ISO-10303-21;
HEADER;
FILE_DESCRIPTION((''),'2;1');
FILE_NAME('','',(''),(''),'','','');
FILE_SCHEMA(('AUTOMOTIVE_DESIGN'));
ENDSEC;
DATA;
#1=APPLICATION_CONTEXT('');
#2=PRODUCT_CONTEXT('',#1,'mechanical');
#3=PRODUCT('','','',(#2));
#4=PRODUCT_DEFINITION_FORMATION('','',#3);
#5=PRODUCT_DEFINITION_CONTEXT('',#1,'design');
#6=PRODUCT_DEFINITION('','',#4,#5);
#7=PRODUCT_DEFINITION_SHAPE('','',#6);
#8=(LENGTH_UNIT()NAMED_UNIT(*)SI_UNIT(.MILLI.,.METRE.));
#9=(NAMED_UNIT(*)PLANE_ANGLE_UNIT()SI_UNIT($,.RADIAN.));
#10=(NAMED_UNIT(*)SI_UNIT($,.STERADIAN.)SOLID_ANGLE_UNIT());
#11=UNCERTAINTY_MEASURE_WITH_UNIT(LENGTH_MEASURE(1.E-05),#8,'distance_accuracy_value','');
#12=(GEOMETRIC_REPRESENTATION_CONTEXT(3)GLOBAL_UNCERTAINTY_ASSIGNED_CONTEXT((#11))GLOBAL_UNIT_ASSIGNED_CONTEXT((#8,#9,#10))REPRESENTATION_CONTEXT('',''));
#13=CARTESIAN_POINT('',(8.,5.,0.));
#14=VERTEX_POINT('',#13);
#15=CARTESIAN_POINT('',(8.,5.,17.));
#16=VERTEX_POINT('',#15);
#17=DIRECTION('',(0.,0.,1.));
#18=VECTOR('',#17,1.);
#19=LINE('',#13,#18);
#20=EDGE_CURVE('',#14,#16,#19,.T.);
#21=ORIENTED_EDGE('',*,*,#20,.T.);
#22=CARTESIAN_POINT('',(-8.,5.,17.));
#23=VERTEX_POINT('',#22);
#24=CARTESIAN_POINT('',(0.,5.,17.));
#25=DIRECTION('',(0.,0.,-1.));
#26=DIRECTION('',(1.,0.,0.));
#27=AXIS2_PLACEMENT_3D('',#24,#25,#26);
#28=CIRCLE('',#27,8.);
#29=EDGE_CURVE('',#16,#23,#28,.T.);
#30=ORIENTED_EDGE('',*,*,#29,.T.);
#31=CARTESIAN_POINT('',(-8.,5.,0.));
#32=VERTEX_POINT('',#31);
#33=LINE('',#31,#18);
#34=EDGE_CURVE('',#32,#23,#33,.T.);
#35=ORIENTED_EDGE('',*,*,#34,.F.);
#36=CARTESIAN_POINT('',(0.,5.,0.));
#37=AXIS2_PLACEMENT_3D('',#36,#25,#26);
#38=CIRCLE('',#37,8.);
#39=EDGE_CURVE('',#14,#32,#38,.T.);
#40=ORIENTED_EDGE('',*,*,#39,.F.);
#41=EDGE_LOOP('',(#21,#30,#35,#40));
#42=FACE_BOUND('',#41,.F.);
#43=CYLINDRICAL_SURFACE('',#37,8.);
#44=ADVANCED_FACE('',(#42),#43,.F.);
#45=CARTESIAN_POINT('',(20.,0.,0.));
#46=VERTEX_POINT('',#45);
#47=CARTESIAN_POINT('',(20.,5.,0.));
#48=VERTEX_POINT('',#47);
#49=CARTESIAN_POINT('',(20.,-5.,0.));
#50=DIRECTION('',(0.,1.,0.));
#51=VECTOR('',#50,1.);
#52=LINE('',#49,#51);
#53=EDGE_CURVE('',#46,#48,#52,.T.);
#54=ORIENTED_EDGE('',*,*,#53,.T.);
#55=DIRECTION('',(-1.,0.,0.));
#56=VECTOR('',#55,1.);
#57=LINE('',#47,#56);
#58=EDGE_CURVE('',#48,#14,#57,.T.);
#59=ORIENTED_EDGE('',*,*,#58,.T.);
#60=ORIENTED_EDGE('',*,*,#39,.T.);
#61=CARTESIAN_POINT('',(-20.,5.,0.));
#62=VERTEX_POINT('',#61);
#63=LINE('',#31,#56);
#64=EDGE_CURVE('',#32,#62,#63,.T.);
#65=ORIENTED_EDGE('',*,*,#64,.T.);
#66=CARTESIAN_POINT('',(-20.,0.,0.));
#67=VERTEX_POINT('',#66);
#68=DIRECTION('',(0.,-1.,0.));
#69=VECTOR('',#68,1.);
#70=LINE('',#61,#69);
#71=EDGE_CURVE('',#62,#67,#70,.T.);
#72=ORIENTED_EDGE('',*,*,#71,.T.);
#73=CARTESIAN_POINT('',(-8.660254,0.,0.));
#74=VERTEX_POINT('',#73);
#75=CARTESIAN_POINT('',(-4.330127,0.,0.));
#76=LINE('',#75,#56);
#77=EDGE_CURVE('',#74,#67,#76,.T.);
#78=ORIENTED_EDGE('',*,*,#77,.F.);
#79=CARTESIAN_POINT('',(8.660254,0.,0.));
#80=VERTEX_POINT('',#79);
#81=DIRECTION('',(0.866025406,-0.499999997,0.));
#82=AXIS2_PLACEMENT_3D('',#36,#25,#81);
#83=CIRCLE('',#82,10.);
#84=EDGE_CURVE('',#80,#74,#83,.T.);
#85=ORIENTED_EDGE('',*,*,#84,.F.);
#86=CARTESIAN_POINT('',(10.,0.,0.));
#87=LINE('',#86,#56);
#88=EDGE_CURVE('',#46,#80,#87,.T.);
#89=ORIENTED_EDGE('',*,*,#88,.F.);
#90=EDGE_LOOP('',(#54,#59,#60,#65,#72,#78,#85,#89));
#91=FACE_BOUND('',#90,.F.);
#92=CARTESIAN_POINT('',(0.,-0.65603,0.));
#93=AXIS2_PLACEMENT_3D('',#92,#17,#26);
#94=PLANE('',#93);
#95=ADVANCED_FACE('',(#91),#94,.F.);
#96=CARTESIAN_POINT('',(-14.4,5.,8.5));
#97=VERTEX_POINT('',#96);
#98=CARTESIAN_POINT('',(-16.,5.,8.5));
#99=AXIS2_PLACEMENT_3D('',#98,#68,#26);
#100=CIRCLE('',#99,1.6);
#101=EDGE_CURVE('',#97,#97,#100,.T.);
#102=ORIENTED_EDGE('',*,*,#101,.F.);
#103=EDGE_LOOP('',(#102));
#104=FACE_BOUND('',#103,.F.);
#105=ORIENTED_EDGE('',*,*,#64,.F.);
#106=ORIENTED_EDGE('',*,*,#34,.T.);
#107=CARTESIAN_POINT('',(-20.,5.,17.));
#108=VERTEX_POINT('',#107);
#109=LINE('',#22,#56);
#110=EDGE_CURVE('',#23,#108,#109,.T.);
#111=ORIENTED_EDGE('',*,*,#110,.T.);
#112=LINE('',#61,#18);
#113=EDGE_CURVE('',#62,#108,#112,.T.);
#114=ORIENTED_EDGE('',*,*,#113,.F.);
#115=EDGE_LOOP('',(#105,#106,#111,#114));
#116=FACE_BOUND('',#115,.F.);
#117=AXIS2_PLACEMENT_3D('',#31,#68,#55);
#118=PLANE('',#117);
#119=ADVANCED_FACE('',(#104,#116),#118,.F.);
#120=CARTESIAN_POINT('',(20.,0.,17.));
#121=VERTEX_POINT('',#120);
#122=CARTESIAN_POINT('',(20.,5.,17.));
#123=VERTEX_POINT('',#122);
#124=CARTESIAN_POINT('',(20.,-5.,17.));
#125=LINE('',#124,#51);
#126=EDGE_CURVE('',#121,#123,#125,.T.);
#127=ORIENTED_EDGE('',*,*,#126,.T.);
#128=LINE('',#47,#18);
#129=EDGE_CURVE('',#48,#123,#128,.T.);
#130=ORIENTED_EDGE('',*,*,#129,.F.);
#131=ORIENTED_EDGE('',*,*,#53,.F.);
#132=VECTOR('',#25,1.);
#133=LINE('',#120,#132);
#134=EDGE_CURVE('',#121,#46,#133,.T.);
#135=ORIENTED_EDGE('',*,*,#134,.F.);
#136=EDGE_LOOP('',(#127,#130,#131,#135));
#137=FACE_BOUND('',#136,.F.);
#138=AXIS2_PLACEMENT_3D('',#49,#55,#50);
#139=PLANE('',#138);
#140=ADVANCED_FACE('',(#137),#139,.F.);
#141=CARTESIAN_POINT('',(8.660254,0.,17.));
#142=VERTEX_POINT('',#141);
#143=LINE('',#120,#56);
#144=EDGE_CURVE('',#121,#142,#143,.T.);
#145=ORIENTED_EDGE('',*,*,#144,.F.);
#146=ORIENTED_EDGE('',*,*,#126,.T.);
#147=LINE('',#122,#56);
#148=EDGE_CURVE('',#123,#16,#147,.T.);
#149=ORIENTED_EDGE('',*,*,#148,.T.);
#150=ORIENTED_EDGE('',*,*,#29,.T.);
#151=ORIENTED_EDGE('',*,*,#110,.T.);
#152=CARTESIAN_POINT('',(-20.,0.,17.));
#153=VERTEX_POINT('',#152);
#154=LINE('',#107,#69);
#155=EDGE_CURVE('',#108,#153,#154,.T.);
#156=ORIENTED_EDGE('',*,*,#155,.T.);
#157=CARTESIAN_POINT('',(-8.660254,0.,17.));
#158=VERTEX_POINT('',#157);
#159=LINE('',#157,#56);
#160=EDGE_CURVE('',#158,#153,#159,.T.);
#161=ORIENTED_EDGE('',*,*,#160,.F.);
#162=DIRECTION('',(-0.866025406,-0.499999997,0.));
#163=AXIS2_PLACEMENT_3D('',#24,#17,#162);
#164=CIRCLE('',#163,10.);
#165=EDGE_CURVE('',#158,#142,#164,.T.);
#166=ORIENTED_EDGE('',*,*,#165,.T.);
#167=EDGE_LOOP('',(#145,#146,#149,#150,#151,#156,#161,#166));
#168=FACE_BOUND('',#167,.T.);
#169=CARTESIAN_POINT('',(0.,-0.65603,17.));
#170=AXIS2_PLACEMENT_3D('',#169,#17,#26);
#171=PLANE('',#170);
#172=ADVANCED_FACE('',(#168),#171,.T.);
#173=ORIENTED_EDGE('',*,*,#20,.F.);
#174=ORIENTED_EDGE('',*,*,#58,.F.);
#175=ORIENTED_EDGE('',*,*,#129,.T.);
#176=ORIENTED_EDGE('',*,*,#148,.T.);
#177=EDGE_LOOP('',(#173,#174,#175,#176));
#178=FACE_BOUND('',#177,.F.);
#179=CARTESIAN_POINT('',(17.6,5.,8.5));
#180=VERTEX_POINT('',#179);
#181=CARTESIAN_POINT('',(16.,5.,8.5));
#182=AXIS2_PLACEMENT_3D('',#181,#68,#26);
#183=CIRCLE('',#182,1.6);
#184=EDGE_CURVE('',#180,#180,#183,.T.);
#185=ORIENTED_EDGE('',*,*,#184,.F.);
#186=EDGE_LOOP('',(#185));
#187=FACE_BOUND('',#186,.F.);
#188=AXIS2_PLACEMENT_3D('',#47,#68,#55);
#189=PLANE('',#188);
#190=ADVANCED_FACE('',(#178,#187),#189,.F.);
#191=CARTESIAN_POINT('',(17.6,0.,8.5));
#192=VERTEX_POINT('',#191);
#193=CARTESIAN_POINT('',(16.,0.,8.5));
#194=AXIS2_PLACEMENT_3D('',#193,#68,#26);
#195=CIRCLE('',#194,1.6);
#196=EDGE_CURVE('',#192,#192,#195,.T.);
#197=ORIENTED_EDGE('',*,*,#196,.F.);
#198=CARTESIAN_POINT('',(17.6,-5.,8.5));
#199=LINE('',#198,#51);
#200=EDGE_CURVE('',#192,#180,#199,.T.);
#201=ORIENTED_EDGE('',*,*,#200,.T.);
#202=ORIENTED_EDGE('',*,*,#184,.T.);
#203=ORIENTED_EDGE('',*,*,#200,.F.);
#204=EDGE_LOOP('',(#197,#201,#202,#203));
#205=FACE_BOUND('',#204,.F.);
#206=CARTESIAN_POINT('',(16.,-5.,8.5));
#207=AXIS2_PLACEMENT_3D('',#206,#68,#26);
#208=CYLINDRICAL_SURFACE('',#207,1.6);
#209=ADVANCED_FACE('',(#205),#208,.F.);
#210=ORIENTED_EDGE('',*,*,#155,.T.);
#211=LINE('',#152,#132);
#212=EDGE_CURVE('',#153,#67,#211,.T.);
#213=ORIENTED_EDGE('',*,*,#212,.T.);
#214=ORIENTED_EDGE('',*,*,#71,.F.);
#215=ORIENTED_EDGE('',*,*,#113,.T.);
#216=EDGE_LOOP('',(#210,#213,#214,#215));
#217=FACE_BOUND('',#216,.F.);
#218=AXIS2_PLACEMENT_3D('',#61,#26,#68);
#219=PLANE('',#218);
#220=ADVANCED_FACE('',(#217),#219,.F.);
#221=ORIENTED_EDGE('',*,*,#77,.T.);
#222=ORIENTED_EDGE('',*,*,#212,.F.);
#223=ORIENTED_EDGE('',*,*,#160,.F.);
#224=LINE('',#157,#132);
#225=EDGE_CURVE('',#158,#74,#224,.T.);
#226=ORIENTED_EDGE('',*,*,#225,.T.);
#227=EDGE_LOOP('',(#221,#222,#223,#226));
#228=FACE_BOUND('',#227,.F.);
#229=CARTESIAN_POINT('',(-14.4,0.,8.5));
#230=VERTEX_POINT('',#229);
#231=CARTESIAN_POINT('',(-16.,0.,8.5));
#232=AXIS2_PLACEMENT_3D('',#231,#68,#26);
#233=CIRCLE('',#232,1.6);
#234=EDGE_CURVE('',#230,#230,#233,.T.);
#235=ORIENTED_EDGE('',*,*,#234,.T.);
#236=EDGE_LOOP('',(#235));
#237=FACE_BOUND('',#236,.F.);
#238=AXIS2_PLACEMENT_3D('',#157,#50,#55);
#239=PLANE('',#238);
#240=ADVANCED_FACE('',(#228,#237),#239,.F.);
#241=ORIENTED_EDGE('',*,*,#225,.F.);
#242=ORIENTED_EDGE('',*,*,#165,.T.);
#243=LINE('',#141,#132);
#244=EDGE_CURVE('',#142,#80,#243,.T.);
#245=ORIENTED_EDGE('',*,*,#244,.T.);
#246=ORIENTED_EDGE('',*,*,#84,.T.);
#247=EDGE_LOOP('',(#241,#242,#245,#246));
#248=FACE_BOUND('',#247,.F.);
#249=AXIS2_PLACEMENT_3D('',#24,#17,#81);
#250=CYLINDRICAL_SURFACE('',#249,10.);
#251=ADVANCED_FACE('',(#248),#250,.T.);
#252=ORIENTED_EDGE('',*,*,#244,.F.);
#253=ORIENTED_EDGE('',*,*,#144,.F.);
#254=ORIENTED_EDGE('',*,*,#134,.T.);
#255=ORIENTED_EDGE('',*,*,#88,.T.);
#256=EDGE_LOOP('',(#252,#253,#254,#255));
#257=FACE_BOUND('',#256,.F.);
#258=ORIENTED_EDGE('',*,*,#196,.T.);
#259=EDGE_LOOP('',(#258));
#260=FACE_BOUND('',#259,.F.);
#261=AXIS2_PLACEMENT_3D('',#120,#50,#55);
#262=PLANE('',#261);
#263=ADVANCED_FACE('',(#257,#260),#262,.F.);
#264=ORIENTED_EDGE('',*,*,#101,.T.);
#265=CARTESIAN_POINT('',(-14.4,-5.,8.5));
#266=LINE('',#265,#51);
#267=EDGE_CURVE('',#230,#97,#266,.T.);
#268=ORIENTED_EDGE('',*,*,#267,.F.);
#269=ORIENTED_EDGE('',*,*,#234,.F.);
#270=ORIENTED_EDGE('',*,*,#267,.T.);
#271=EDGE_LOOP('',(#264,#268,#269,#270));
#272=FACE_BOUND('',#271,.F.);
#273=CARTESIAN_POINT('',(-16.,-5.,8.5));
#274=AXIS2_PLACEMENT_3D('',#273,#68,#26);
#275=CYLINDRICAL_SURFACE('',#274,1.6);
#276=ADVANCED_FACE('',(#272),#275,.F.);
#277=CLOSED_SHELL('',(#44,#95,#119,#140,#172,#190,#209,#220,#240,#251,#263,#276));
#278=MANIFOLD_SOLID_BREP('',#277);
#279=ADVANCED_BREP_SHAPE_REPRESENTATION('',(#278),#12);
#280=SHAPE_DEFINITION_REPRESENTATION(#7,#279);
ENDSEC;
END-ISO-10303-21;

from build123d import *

# Parameters (mm, degrees)
F1_DEPTH = 17
F2_R     = 1.6
F3_DEPTH = 25
F5_DEPTH = 25


with BuildPart() as f1:
    # F0 (on Top) → F1 (new body)
    with BuildSketch(Plane.XY):
        with BuildLine():
            Line((-8, 5), (-20, 5))
            Line((-20, 5), (-20, -5))
            Line((-20, -5), (20, -5))
            Line((20, -5), (20, 5))
            Line((20, 5), (8, 5))
            ThreePointArc((8, 5), (0, -3), (-8, 5))
        make_face()
    extrude(amount=F1_DEPTH)

    # F2 (on face) → F3 (cut)
    with BuildSketch(Plane.XZ.offset(5)):
        with Locations((-16, 8.5)):
            Circle(F2_R)
        with Locations((16, 8.5)):
            Circle(F2_R)
    extrude(amount=-F3_DEPTH, mode=Mode.SUBTRACT)

    # F4 (on face) → F5 (cut)
    with BuildSketch(Plane.XY.offset(17)):
        with BuildLine():
            ThreePointArc((8.660254, 0), (0, -5), (-8.660254, 0))
            Line((-8.660254, 0), (-20, 0))
            Line((-20, 0), (-20, -5.929414))
            Line((-20, -5.929414), (20, -5.929414))
            Line((20, -5.929414), (20, 0))
            Line((20, 0), (8.660254, 0))
        make_face()
    extrude(amount=-F5_DEPTH, mode=Mode.SUBTRACT)


solid = f1.part
